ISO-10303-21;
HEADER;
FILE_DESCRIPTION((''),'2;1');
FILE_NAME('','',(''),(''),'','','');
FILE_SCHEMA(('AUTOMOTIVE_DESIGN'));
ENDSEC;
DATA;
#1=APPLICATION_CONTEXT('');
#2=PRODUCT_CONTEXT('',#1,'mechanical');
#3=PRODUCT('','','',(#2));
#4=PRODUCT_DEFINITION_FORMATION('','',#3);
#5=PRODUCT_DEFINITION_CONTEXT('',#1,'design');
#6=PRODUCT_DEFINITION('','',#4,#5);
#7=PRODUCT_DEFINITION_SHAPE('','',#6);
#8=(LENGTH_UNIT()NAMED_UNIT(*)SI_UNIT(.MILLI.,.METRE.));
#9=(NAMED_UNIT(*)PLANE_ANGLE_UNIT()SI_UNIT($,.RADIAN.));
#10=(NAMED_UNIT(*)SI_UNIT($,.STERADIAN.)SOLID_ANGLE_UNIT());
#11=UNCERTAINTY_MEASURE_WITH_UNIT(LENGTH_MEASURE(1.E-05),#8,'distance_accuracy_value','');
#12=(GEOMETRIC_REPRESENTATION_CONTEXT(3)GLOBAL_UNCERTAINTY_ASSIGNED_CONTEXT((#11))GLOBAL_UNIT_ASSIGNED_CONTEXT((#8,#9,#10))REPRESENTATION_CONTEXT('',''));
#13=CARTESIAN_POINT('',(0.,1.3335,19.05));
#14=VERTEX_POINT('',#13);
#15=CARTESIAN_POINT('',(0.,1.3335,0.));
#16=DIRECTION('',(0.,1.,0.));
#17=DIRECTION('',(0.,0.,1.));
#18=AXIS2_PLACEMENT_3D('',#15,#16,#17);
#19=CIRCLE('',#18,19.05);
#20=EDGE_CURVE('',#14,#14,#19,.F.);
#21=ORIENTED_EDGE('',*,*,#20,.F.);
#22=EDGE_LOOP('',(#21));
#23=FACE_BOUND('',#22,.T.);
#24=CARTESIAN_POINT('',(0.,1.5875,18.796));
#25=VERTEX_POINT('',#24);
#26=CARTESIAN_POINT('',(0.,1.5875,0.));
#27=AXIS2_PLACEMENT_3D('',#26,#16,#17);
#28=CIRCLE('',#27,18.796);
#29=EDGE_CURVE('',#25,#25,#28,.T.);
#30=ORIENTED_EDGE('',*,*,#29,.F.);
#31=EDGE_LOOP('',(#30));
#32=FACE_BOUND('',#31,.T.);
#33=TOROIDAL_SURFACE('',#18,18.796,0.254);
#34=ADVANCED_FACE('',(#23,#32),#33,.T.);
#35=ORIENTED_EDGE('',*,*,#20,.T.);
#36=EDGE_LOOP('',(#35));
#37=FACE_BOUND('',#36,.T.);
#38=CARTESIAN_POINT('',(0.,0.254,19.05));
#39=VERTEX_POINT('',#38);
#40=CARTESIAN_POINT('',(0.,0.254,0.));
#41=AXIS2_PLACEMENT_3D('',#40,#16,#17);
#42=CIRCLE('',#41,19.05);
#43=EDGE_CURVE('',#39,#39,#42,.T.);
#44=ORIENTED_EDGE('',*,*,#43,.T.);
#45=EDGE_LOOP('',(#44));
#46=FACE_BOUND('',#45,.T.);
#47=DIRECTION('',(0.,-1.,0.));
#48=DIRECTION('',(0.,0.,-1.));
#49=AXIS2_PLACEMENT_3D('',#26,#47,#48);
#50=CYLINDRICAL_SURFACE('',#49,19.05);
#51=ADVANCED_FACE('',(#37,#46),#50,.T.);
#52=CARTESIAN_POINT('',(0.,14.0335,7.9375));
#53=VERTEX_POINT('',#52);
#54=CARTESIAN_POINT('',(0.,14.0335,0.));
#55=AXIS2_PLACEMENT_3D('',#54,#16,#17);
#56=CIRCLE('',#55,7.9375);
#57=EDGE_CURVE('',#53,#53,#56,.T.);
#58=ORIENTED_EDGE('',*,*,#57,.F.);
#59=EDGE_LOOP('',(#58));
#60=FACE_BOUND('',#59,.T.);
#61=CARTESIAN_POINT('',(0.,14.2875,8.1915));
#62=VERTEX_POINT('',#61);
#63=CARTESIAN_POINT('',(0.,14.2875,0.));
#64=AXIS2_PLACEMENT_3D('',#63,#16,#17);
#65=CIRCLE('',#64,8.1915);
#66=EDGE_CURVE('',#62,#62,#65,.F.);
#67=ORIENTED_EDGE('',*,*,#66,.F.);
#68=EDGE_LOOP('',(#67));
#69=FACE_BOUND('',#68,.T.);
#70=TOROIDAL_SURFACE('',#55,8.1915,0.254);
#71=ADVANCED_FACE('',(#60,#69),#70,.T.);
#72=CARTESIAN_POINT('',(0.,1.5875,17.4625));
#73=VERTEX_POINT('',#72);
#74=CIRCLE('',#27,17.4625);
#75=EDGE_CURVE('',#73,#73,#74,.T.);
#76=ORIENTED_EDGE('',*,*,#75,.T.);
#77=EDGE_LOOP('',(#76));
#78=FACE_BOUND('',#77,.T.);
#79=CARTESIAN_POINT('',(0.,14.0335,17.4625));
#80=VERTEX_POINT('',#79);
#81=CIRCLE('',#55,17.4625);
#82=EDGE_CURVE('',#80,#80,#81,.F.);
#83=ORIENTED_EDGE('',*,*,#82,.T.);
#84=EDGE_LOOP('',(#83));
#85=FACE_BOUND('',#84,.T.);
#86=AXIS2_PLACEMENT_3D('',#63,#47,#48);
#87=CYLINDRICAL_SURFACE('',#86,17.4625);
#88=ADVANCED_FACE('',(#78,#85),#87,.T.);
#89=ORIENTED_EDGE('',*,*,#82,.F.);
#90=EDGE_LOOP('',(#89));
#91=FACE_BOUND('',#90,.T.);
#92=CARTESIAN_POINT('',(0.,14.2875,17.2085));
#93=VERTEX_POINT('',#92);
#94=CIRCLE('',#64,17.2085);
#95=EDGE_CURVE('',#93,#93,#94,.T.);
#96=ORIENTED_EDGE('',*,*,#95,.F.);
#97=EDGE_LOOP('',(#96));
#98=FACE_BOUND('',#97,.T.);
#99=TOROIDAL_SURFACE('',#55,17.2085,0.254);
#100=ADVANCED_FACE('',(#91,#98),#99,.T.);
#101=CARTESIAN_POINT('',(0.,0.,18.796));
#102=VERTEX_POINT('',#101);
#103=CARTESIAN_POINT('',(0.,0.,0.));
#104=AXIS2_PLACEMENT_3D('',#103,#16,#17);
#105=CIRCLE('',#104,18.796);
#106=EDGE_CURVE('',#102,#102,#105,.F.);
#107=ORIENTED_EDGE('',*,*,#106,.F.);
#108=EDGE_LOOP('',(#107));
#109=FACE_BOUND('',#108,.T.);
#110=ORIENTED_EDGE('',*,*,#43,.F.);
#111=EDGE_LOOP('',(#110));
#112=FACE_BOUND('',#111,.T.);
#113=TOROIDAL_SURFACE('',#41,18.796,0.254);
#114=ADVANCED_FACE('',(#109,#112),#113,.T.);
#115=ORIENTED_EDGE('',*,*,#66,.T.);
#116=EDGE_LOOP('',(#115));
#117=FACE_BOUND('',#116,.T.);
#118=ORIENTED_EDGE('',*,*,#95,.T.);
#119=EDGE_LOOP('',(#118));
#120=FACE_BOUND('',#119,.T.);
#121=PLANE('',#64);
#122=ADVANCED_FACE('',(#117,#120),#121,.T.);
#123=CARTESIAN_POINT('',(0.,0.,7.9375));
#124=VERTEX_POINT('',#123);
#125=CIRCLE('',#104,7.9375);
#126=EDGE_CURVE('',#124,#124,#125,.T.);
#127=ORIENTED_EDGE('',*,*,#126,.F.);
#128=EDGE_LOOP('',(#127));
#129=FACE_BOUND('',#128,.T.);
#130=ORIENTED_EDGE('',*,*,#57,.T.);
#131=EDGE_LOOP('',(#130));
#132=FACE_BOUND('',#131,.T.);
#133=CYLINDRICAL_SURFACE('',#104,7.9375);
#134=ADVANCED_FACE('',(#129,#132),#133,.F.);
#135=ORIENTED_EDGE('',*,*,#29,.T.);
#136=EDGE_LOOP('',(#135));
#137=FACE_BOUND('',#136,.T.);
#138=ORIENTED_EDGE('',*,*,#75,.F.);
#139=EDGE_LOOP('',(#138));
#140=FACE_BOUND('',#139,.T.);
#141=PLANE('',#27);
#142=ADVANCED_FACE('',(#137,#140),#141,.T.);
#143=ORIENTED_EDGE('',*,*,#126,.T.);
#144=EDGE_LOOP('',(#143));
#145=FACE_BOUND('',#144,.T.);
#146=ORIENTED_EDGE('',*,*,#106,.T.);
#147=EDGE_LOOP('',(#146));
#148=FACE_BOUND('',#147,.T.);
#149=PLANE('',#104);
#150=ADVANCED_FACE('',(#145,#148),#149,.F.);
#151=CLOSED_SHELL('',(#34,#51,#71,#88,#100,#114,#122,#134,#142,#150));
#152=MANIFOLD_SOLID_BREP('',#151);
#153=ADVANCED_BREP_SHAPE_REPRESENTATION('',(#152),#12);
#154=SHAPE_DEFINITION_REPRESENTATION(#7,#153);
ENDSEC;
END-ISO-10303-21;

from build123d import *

# Parameters (mm, degrees)
SKETCH1_R           = 19.05
BOSS_EXTRUDE1_DEPTH = 1.5875
SKETCH2_R           = 17.4625
BOSS_EXTRUDE2_DEPTH = 12.7
SKETCH3_R           = 7.9375
CUT_EXTRUDE1_DEPTH  = 15.2875
FILLET1_R           = 0.254


with BuildPart() as part:
    # Sketch1 → Boss-Extrude1 (new body)
    with BuildSketch(Plane(origin=(0, 0, 0), x_dir=(1, 0, 0), z_dir=(0, 1, 0))):
        Circle(SKETCH1_R)
    extrude(amount=BOSS_EXTRUDE1_DEPTH)

    # Sketch2 → Boss-Extrude2 (add)
    with BuildSketch(Plane(origin=(0, 1.5875, 0), x_dir=(1, 0, 0), z_dir=(0, 1, 0))):
        Circle(SKETCH2_R)
    extrude(amount=BOSS_EXTRUDE2_DEPTH)

    # Sketch3 → Cut-Extrude1 (cut, through all)
    with BuildSketch(Plane(origin=(0, 14.2875, 0), x_dir=(1, 0, 0), z_dir=(0, 1, 0))):
        Circle(SKETCH3_R)
    extrude(amount=-CUT_EXTRUDE1_DEPTH, mode=Mode.SUBTRACT)

    # Fillet1
    fillet1_edges = [part.edges().sort_by_distance(p)[0] for p in [
        (-7.9375, 14.2875, 0),
        (-19.05, 0, 0),
        (-19.05, 1.5875, 0),
        (-17.4625, 14.2875, 0),
    ]]
    fillet(fillet1_edges, radius=FILLET1_R)


solid = part.part
